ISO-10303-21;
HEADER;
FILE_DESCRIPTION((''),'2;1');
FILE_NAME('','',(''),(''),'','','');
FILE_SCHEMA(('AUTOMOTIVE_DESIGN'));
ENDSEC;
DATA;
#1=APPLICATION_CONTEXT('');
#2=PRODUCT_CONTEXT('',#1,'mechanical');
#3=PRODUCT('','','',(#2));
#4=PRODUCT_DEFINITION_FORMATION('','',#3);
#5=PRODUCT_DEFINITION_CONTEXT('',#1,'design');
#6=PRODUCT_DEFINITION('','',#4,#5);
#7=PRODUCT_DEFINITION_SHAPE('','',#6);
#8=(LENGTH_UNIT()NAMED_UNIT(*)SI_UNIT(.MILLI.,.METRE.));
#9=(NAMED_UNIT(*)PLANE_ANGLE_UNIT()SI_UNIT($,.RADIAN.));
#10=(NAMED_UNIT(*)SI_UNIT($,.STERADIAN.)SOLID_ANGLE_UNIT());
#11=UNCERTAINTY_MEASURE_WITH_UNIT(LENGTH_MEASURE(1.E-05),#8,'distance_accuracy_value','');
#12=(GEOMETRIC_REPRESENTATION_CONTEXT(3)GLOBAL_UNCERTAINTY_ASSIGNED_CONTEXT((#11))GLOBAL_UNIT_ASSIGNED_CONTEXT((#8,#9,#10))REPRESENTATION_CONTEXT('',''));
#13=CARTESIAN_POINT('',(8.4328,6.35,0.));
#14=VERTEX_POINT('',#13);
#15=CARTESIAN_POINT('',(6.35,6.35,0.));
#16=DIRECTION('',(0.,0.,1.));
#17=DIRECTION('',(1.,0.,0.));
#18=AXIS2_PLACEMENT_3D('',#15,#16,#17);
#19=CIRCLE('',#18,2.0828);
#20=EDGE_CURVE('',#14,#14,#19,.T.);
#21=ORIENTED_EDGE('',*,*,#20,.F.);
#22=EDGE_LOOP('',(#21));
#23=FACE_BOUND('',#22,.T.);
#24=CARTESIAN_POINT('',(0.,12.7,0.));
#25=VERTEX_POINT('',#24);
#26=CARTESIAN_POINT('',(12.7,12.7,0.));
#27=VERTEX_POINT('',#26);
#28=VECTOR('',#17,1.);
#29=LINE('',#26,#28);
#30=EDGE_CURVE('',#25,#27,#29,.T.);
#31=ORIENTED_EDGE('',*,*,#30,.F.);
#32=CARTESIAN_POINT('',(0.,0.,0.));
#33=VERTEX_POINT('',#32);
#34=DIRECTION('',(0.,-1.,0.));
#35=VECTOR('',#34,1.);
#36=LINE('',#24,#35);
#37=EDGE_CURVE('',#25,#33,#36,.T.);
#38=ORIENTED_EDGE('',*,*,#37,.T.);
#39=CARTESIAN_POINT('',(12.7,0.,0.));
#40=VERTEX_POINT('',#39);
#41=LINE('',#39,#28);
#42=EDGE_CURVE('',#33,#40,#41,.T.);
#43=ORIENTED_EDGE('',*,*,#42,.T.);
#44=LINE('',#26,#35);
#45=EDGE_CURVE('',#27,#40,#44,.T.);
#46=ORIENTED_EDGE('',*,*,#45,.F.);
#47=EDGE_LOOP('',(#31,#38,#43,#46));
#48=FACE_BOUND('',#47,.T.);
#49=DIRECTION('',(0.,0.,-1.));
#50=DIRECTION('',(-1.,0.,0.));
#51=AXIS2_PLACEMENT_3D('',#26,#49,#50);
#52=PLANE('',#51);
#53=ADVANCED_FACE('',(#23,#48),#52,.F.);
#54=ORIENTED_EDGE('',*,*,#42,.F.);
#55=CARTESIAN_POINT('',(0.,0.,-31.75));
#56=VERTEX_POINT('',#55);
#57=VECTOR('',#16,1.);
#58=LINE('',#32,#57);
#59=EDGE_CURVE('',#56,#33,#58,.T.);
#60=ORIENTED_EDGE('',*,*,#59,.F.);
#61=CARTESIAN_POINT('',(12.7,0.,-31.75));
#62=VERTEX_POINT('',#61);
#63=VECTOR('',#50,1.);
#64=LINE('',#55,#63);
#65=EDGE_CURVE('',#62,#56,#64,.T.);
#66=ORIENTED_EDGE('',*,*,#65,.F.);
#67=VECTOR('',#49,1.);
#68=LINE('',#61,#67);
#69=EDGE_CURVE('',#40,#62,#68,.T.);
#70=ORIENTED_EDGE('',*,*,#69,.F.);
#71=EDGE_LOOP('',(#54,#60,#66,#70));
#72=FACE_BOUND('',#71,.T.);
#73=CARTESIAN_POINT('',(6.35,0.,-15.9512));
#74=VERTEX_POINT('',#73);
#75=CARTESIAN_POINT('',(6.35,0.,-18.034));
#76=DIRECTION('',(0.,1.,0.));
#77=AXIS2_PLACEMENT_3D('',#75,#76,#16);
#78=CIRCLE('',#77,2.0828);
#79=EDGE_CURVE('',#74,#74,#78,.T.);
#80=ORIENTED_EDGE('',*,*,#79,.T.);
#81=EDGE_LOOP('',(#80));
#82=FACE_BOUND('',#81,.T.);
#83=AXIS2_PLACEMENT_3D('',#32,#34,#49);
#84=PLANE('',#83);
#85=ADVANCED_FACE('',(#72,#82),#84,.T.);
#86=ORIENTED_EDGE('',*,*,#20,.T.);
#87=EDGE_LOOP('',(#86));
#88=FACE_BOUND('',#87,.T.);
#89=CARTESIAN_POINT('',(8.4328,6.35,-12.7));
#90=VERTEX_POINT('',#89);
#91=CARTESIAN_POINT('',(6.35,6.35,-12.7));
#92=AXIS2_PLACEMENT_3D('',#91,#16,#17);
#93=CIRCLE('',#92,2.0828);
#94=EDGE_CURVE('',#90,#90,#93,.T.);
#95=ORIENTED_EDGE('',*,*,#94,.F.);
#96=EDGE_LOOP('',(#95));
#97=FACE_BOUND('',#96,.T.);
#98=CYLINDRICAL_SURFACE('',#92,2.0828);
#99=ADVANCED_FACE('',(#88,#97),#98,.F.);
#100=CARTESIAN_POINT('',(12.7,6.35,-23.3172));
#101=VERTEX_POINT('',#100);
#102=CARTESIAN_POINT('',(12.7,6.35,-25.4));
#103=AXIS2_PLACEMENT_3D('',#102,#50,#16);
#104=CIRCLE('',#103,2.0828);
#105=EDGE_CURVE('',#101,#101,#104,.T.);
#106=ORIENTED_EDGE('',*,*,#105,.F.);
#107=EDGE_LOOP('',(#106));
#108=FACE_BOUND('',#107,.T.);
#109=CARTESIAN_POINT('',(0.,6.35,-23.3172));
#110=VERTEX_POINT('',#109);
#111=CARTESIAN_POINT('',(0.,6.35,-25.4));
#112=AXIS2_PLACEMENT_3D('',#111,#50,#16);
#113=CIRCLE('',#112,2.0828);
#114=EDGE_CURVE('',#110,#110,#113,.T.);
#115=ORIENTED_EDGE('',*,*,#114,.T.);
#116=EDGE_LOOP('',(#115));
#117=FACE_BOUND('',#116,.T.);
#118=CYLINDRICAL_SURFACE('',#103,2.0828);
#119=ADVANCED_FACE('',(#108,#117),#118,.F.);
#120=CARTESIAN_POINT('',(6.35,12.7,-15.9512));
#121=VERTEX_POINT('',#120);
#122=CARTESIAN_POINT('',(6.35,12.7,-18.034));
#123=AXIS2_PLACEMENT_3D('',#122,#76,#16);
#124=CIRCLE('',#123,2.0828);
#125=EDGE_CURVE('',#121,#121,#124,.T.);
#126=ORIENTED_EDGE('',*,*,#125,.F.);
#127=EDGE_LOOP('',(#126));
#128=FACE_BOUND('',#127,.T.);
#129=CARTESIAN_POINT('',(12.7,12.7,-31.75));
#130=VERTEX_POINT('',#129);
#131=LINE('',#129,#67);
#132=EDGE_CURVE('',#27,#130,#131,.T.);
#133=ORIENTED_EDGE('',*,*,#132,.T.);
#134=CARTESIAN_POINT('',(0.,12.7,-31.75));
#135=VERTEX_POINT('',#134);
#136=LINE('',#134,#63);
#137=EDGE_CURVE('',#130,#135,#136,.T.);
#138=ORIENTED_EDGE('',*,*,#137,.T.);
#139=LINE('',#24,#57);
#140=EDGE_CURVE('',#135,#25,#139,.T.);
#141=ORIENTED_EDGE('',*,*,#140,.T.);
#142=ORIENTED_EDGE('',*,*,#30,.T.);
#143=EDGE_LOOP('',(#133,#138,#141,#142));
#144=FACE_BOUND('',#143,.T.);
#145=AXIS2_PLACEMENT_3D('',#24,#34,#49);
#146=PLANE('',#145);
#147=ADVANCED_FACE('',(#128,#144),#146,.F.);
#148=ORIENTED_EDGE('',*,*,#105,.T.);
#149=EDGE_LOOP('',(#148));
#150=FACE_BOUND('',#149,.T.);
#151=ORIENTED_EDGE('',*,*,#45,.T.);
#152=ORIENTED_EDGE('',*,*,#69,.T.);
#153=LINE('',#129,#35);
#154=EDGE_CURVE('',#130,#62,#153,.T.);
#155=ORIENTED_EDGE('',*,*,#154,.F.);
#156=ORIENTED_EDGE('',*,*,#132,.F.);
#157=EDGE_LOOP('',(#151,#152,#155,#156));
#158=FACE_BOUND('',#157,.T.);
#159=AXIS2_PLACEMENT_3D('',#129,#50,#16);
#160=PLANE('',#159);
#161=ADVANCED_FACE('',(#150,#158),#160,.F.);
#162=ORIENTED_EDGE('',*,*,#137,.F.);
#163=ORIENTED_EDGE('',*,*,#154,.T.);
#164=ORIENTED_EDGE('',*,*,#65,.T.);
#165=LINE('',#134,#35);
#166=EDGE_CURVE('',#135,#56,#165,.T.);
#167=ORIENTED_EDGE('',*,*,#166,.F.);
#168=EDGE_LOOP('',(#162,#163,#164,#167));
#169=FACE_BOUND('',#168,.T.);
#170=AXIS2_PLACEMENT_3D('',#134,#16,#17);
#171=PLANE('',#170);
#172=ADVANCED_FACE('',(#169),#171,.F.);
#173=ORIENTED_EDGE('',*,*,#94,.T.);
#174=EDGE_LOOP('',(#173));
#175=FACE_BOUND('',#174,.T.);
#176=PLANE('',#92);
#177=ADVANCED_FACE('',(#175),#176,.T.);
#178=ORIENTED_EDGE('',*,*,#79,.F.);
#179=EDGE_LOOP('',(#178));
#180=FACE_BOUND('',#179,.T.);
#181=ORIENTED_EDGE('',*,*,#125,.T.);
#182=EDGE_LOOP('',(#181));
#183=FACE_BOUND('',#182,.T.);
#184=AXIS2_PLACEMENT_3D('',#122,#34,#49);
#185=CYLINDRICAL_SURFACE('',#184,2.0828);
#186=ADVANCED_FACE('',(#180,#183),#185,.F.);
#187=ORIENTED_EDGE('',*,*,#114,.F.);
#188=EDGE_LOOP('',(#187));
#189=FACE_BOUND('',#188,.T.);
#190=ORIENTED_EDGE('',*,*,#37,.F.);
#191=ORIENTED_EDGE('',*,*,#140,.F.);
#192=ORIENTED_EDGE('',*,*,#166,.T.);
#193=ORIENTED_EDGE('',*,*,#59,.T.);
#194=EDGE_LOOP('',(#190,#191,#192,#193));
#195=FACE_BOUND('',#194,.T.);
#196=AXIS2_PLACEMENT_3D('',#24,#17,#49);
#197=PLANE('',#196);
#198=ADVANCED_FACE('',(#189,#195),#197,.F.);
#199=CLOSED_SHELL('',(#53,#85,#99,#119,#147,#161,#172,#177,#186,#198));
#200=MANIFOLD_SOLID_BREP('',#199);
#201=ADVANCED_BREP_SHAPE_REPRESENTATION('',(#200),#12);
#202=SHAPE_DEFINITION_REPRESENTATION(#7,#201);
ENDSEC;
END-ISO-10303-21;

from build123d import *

# Parameters (mm, degrees)
SKETCH1_W           = 12.7
SKETCH1_H           = 31.75
SKETCH1_R           = 2.0828
BOSS_EXTRUDE1_DEPTH = 12.7
SKETCH2_R           = 2.0828
CUT_EXTRUDE1_DEPTH  = 12.7
SKETCH3_R           = 2.0828
CUT_EXTRUDE2_DEPTH  = 12.7


with BuildPart() as part:
    # Sketch1 → Boss-Extrude1 (new body)
    with BuildSketch(Plane(origin=(0, 0, 0), x_dir=(1, 0, 0), z_dir=(0, 1, 0))):
        with Locations((6.35, 15.875)):
            Rectangle(SKETCH1_W, SKETCH1_H)
        with Locations(Location((6.35, 18.034, 0), (0, 0, 270))):
            Circle(SKETCH1_R, mode=Mode.SUBTRACT)
    extrude(amount=BOSS_EXTRUDE1_DEPTH)

    # Sketch2 → Cut-Extrude1 (cut)
    with BuildSketch(Plane.XY):
        with Locations((6.35, 6.35)):
            Circle(SKETCH2_R)
    extrude(amount=-CUT_EXTRUDE1_DEPTH, mode=Mode.SUBTRACT)

    # Sketch3 → Cut-Extrude2 (cut)
    with BuildSketch(Plane.ZY):
        with Locations((-25.4, 6.35)):
            Circle(SKETCH3_R)
    extrude(amount=-CUT_EXTRUDE2_DEPTH, mode=Mode.SUBTRACT)


solid = part.part
